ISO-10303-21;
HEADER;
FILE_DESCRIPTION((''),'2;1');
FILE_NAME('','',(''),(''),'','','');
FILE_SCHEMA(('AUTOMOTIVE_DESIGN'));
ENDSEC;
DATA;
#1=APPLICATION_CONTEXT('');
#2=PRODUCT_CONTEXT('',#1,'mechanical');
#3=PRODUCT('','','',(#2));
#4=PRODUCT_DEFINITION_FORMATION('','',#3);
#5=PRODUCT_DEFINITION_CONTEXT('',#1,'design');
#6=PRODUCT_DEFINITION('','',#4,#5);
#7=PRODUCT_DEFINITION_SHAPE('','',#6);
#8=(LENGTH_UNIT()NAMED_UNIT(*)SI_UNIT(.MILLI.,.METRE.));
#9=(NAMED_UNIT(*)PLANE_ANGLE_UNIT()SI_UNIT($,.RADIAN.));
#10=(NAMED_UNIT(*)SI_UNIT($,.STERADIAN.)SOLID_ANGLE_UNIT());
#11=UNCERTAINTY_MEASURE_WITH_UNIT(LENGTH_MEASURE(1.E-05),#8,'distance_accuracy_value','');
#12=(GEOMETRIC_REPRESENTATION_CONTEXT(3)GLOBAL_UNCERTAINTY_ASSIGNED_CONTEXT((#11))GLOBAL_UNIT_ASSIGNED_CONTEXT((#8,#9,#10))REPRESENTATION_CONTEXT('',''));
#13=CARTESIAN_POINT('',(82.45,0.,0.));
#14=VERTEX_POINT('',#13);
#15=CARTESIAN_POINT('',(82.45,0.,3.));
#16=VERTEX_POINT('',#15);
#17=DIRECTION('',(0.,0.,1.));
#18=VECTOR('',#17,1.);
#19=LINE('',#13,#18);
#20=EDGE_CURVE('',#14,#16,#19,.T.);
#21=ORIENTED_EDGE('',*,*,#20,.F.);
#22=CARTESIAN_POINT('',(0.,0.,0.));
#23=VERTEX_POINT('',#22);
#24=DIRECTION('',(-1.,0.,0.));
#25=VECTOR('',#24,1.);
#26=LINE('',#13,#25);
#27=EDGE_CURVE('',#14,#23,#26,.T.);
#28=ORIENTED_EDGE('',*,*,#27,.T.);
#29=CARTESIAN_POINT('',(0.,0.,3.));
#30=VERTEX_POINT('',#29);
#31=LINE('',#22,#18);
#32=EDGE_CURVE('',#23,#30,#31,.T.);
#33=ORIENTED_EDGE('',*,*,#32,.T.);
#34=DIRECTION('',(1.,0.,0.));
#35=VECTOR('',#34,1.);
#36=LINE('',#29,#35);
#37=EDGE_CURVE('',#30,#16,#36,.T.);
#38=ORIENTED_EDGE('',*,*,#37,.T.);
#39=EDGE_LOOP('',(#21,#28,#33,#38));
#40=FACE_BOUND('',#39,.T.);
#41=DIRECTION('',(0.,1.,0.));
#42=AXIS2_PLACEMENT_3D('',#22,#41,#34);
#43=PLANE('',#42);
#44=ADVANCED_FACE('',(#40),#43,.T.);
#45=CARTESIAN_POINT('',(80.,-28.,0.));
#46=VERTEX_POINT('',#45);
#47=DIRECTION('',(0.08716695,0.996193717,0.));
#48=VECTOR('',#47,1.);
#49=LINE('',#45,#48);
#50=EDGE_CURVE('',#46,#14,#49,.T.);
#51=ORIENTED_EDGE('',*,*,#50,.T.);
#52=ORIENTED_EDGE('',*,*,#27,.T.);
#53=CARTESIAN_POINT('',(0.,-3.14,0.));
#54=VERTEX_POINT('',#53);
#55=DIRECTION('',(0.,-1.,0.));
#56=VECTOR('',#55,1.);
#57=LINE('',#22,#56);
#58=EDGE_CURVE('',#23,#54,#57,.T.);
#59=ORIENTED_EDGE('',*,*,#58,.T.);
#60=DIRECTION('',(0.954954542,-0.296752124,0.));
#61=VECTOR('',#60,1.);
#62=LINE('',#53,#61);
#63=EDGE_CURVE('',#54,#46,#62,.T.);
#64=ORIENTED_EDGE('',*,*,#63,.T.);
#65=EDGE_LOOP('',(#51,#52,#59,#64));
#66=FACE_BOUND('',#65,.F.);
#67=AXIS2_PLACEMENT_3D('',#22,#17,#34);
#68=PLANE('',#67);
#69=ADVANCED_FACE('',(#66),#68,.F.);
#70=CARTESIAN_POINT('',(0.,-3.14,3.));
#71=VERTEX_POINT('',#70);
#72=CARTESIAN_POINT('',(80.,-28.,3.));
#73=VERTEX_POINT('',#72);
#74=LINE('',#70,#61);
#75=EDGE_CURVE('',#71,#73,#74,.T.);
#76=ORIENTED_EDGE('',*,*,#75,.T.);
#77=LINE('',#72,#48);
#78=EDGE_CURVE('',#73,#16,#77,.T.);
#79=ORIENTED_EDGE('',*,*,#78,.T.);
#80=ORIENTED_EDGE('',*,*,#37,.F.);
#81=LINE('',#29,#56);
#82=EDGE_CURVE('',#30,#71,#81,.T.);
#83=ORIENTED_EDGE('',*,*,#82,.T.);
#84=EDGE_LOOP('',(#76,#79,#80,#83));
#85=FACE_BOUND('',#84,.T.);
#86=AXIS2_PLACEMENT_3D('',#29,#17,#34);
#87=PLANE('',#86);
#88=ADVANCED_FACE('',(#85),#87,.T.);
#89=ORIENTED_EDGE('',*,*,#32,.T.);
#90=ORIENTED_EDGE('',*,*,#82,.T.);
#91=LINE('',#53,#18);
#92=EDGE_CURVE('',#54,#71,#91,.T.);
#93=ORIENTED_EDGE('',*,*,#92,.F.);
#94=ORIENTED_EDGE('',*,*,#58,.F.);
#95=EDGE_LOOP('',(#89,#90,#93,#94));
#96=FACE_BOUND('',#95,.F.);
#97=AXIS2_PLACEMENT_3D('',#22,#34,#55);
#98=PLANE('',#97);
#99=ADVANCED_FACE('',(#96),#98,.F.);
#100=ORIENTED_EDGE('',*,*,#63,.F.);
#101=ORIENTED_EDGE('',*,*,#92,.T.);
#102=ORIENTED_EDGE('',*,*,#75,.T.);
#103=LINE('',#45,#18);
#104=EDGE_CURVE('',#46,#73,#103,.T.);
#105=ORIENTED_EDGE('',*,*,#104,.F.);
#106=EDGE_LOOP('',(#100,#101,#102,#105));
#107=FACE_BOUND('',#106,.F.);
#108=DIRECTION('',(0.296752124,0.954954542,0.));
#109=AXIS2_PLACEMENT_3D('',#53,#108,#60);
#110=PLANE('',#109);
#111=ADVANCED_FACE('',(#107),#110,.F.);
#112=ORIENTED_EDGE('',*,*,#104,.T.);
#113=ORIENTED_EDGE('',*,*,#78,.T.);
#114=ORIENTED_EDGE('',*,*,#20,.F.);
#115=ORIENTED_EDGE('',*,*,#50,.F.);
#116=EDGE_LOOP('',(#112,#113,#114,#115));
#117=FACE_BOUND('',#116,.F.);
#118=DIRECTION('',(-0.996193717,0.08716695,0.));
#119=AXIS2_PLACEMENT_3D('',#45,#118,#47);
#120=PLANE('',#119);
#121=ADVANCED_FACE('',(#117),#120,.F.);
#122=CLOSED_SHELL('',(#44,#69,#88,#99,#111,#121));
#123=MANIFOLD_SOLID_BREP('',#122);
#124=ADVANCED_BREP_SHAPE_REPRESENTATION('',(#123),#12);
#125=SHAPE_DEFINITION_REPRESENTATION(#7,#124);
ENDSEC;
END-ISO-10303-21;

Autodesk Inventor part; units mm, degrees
ref_plane "YZ Plane" through (0, 0, 0) normal (1, 0, 0) x (0, 1, 0)
ref_plane "XZ Plane" through (0, 0, 0) normal (0, 1, 0) x (-1, 0, 0)
ref_plane "XY Plane" through (0, 0, 0) normal (0, 0, 1) x (1, 0, 0)
sketch "Sketch1" plane through (0, 0, 0) normal (0, 0, 1) x (1, 0, 0)
  line L0 (0, 0) -> (80, 0)
  line L1 (80, 0) -> (80, -28)
  line L2 (80, 0) -> (82.45, 0)
  line L3 (80, -28) -> (82.45, 0)
  line L4 (0, 0) -> (0, -3.14)
  line L5 (0, -3.14) -> (80, -28)
  dimension "d0" = 80
  dimension "d1" = 28
  dimension "d2" = 2.45
  dimension "d4" = 3.14
extrude "Extrusion1" add sketch "Sketch1" along normal blind 3
